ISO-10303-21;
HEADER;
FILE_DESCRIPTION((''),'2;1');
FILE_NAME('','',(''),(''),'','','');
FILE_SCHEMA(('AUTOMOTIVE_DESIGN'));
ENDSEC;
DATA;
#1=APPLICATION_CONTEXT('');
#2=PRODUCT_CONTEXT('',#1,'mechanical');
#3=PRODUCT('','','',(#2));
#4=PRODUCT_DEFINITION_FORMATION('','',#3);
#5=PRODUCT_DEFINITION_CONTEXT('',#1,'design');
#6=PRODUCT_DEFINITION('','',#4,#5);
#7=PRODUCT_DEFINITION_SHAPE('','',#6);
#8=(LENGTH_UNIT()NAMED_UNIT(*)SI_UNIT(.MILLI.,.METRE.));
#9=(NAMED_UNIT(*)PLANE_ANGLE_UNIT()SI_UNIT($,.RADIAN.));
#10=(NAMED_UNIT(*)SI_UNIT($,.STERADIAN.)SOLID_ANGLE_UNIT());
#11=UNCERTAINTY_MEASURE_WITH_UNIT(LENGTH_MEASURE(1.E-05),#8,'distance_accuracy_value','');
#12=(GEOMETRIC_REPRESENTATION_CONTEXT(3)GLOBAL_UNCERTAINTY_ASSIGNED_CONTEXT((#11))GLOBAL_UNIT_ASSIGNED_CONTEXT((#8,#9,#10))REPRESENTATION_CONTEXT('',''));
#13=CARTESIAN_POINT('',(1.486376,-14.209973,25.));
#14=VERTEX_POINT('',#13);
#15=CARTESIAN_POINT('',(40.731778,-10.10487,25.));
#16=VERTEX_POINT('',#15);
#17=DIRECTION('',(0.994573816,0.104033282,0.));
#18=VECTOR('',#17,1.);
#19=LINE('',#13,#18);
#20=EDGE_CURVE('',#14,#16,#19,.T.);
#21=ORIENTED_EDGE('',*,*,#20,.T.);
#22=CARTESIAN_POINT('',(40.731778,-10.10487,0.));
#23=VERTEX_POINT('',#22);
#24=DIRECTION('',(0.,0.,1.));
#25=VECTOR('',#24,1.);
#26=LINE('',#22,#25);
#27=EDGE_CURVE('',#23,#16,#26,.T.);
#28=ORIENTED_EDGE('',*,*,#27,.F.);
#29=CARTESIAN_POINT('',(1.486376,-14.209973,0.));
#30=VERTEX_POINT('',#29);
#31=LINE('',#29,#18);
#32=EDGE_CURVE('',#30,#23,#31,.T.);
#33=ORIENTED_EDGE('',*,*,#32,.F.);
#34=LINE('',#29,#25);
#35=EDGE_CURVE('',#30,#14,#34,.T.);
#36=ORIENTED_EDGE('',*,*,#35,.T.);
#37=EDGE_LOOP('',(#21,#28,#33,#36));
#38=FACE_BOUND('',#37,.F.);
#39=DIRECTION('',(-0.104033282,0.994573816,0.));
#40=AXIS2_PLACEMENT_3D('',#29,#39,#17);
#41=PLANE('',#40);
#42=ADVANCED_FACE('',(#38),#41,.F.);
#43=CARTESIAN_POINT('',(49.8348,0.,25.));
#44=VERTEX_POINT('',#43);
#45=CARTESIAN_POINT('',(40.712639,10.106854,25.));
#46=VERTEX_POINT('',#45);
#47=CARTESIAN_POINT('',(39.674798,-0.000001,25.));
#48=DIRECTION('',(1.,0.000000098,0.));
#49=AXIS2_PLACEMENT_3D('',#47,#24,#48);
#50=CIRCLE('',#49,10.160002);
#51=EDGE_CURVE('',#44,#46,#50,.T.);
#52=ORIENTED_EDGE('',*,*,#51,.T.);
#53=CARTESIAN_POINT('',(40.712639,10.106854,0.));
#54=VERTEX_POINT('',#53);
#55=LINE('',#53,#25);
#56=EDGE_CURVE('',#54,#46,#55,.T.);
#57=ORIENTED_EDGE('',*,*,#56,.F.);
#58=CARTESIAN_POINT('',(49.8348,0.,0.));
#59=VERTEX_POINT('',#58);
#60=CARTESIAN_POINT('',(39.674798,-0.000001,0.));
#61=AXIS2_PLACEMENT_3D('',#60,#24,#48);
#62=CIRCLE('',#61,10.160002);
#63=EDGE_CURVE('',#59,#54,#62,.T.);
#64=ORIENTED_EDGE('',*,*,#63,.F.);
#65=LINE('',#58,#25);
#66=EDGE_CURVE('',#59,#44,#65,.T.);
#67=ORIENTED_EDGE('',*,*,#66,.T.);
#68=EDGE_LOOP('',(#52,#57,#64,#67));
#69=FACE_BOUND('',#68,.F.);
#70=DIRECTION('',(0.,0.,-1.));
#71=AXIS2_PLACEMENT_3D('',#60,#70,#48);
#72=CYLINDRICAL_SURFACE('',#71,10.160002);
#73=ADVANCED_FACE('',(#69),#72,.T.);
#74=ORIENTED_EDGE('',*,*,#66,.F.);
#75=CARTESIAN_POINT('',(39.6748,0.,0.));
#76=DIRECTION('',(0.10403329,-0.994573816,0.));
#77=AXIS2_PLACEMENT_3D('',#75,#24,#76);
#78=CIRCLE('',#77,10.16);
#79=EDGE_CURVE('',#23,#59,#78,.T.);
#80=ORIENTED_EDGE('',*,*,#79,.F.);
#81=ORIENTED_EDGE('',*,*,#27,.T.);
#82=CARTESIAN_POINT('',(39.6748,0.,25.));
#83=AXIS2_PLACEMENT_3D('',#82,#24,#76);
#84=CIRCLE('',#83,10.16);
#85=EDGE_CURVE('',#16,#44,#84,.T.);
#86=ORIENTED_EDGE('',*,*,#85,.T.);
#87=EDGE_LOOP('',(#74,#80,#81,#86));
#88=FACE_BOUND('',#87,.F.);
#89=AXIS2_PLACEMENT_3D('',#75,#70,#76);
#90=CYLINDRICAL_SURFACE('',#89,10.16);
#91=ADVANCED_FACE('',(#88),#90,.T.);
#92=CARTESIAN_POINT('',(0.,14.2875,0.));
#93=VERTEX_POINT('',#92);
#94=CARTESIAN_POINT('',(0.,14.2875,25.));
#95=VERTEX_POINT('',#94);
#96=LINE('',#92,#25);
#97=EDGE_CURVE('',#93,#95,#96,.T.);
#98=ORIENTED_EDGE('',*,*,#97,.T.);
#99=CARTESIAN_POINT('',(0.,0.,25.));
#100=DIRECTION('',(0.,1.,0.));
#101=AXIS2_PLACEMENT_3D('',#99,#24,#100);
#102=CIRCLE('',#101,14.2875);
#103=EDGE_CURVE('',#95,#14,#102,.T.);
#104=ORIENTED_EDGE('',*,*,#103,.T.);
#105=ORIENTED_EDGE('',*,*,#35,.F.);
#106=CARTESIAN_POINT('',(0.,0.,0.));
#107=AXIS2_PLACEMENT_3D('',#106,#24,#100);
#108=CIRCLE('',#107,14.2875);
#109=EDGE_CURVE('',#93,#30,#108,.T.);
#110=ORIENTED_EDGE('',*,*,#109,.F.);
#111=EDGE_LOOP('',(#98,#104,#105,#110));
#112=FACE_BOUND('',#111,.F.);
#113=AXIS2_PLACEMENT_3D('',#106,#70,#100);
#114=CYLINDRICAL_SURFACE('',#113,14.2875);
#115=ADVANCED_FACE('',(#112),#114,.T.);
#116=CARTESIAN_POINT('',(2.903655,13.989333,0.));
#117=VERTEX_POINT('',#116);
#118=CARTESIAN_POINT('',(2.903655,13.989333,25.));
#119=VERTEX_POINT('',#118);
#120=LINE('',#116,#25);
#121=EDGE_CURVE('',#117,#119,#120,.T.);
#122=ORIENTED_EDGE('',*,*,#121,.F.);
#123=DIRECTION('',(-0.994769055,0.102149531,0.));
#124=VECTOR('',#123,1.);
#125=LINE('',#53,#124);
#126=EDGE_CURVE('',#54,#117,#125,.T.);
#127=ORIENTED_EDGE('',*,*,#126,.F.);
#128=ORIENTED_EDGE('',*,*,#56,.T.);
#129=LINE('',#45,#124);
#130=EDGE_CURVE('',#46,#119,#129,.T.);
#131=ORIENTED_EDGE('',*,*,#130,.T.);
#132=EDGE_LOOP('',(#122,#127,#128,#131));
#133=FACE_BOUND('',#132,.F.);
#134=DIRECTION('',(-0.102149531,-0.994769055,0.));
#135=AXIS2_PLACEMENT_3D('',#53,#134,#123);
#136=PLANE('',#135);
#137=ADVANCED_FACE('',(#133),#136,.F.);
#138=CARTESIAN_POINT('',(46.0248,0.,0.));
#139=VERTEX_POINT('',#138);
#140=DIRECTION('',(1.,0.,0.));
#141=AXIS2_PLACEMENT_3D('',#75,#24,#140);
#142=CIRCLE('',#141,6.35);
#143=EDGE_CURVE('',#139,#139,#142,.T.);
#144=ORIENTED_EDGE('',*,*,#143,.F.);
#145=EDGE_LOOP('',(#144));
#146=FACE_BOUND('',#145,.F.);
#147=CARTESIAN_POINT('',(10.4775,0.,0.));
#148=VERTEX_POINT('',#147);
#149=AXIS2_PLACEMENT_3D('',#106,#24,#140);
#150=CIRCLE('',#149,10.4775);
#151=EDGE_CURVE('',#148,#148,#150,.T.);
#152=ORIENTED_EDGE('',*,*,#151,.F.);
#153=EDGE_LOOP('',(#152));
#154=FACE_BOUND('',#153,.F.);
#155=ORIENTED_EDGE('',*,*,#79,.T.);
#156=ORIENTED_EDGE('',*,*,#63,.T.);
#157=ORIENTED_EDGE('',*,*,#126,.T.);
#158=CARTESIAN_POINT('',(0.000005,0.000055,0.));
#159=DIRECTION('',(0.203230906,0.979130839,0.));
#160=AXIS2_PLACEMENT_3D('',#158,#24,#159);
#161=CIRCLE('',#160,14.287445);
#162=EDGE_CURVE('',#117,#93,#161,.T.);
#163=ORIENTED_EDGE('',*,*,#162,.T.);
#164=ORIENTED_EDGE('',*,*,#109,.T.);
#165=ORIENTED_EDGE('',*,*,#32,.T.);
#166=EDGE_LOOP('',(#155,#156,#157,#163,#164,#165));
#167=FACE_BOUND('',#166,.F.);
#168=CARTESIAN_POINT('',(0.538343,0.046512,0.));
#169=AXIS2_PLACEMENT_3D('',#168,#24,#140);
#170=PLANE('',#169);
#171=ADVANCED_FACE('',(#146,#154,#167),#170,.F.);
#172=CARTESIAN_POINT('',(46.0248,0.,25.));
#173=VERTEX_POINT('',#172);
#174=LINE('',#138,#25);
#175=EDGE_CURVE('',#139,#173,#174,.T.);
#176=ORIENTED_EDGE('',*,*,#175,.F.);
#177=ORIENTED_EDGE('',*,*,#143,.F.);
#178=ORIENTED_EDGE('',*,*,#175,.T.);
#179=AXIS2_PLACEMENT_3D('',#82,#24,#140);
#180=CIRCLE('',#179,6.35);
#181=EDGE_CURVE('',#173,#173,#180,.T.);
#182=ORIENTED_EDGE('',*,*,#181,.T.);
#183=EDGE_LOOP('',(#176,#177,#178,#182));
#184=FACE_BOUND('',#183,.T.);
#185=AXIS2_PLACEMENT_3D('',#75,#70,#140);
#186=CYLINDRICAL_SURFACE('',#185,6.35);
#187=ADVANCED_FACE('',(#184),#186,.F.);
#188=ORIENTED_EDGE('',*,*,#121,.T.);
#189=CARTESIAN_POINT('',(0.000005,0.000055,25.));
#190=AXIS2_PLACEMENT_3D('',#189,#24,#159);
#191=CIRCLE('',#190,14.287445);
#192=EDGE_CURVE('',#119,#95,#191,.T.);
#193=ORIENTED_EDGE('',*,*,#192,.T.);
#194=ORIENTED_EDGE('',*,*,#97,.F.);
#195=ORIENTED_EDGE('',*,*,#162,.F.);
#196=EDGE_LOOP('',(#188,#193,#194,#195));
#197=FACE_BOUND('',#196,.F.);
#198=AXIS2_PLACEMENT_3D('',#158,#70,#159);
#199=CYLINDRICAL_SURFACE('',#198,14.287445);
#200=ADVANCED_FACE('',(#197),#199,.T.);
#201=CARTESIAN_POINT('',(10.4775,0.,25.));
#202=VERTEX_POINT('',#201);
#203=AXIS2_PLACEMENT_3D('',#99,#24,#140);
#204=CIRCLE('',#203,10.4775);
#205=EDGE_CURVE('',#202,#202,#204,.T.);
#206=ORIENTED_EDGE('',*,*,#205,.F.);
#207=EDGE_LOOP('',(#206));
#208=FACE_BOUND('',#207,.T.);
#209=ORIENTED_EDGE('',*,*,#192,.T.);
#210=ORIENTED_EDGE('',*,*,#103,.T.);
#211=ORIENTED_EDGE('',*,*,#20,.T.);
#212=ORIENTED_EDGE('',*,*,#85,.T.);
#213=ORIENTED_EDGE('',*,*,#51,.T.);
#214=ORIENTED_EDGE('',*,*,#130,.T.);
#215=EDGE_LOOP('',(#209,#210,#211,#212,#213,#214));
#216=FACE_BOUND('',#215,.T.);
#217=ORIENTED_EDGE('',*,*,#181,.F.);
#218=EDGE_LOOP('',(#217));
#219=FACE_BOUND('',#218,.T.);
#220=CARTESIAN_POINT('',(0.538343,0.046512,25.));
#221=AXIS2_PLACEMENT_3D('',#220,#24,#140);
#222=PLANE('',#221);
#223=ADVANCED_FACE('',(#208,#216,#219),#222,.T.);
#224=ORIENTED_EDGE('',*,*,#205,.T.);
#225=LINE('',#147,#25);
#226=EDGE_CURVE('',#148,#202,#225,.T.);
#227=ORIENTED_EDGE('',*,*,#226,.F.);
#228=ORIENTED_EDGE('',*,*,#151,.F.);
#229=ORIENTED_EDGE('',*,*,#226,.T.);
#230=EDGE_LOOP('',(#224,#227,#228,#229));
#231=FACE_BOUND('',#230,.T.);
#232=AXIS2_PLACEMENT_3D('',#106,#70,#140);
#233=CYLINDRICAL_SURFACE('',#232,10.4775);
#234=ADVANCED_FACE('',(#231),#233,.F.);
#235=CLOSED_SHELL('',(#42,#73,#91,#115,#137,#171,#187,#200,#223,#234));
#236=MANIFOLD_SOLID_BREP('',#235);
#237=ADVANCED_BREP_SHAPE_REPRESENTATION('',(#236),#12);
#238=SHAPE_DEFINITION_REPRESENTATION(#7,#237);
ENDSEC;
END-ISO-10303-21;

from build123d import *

# Parameters (mm, degrees)
F0_R     = 10.4775
F0_R_2   = 6.35
F1_DEPTH = 25


with BuildPart() as f1:
    # F0 (on Top) → F1 (new body)
    with BuildSketch(Plane.XY):
        with BuildLine():
            Line((2.903655, 13.989333), (0, 14.2875))
            ThreePointArc((0, 14.2875), (-14.268105, -0.744198), (1.486376, -14.209973))
            ThreePointArc((1.486376, -14.209973), (10.615301, -9.562846), (14.2875, 0))
            ThreePointArc((14.2875, 0), (11.081936, 9.017946), (2.903655, 13.989333))
        make_face()
        Circle(F0_R, mode=Mode.SUBTRACT)
        with BuildLine():
            ThreePointArc((2.903655, 13.989333), (1.459462, 14.212763), (0, 14.2875))
            Line((0, 14.2875), (2.903655, 13.989333))
        make_face()
        with BuildLine():
            ThreePointArc((14.2875, 0), (10.615301, -9.562846), (1.486376, -14.209973))
            Line((1.486376, -14.209973), (40.731778, -10.10487))
            ThreePointArc((40.731778, -10.10487), (29.514805, -0.009621), (40.712639, 10.106854))
            Line((40.712639, 10.106854), (2.903655, 13.989333))
            ThreePointArc((2.903655, 13.989333), (11.081936, 9.017946), (14.2875, 0))
        make_face()
        with BuildLine():
            ThreePointArc((40.712639, 10.106854), (29.514805, -0.009621), (40.731778, -10.10487))
            ThreePointArc((40.731778, -10.10487), (47.223459, -6.800246), (49.8348, 0))
            ThreePointArc((49.8348, 0), (47.217016, 6.807391), (40.712639, 10.106854))
        make_face()
        with Locations((39.6748, 0)):
            Circle(F0_R_2, mode=Mode.SUBTRACT)
    extrude(amount=F1_DEPTH)


solid = f1.part
